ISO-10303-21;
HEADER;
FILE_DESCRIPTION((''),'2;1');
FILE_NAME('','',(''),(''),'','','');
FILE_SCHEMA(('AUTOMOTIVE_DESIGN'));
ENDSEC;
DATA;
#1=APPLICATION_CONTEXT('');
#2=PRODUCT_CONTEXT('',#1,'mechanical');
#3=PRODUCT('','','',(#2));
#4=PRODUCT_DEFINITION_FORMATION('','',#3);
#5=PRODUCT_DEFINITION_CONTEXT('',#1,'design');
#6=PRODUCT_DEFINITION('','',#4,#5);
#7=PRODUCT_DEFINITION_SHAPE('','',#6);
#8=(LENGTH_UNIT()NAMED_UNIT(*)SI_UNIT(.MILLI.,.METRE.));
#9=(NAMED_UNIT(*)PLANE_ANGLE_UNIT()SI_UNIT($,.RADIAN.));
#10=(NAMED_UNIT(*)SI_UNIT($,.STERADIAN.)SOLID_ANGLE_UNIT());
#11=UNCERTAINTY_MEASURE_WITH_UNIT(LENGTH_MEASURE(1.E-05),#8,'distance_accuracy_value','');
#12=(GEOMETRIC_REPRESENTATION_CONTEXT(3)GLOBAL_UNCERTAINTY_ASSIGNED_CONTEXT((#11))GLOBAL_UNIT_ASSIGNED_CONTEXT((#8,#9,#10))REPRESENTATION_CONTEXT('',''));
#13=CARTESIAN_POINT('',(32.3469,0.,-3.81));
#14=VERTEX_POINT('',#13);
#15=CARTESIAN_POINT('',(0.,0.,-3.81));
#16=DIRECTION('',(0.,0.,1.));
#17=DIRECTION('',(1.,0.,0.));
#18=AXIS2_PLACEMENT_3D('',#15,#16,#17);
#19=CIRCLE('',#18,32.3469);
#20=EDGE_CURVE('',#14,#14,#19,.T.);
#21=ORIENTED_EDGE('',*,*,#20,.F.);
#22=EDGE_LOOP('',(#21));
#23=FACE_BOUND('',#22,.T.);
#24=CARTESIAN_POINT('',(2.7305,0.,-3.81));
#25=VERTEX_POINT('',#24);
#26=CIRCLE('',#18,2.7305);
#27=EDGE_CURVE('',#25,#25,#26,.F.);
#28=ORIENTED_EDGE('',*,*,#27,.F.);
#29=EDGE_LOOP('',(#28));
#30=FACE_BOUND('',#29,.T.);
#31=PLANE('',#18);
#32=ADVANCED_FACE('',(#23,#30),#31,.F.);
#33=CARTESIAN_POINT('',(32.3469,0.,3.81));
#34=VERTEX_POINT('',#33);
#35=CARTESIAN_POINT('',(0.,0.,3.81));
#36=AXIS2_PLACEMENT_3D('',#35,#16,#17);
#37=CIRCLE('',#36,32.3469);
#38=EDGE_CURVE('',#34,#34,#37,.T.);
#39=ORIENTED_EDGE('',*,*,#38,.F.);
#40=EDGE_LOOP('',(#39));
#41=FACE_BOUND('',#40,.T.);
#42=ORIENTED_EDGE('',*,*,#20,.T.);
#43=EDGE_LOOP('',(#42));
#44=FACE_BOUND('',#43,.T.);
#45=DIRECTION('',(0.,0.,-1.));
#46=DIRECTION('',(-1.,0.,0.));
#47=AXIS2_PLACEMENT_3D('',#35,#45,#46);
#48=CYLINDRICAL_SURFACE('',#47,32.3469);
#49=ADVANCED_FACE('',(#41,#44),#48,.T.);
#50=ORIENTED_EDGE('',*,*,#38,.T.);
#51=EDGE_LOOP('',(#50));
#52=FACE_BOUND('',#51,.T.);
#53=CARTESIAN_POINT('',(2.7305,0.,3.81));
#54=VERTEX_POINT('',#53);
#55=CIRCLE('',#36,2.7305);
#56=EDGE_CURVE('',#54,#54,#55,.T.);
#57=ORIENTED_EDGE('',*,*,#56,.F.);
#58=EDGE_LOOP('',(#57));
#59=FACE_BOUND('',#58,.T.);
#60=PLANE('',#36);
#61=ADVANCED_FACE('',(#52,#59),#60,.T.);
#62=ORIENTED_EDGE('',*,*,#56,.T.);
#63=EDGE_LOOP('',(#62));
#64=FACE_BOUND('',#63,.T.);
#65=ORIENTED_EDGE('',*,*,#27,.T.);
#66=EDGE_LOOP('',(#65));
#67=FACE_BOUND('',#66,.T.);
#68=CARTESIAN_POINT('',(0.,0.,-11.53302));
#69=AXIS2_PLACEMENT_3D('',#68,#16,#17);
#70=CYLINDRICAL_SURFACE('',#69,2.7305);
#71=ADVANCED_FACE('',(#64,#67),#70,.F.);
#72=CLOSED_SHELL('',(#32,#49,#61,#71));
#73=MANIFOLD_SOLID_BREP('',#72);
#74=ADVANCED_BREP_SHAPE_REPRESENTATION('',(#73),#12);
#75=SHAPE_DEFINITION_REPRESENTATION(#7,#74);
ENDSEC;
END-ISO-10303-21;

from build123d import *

# Parameters (mm, degrees)
SKETCH1_R           = 32.3469
BOSS_EXTRUDE1_DEPTH = 3.81
SKETCH2_R           = 2.7305
CUT_EXTRUDE1_DEPTH  = 7.62


with BuildPart() as part:
    # Sketch1 → Boss-Extrude1 (new body, symmetric)
    with BuildSketch(Plane.XY):
        Circle(SKETCH1_R)
    extrude(amount=BOSS_EXTRUDE1_DEPTH, both=True)

    # Sketch2 → Cut-Extrude1 (cut)
    with BuildSketch(Plane.XY.offset(3.81)):
        Circle(SKETCH2_R)
    extrude(amount=-CUT_EXTRUDE1_DEPTH, mode=Mode.SUBTRACT)


solid = part.part
